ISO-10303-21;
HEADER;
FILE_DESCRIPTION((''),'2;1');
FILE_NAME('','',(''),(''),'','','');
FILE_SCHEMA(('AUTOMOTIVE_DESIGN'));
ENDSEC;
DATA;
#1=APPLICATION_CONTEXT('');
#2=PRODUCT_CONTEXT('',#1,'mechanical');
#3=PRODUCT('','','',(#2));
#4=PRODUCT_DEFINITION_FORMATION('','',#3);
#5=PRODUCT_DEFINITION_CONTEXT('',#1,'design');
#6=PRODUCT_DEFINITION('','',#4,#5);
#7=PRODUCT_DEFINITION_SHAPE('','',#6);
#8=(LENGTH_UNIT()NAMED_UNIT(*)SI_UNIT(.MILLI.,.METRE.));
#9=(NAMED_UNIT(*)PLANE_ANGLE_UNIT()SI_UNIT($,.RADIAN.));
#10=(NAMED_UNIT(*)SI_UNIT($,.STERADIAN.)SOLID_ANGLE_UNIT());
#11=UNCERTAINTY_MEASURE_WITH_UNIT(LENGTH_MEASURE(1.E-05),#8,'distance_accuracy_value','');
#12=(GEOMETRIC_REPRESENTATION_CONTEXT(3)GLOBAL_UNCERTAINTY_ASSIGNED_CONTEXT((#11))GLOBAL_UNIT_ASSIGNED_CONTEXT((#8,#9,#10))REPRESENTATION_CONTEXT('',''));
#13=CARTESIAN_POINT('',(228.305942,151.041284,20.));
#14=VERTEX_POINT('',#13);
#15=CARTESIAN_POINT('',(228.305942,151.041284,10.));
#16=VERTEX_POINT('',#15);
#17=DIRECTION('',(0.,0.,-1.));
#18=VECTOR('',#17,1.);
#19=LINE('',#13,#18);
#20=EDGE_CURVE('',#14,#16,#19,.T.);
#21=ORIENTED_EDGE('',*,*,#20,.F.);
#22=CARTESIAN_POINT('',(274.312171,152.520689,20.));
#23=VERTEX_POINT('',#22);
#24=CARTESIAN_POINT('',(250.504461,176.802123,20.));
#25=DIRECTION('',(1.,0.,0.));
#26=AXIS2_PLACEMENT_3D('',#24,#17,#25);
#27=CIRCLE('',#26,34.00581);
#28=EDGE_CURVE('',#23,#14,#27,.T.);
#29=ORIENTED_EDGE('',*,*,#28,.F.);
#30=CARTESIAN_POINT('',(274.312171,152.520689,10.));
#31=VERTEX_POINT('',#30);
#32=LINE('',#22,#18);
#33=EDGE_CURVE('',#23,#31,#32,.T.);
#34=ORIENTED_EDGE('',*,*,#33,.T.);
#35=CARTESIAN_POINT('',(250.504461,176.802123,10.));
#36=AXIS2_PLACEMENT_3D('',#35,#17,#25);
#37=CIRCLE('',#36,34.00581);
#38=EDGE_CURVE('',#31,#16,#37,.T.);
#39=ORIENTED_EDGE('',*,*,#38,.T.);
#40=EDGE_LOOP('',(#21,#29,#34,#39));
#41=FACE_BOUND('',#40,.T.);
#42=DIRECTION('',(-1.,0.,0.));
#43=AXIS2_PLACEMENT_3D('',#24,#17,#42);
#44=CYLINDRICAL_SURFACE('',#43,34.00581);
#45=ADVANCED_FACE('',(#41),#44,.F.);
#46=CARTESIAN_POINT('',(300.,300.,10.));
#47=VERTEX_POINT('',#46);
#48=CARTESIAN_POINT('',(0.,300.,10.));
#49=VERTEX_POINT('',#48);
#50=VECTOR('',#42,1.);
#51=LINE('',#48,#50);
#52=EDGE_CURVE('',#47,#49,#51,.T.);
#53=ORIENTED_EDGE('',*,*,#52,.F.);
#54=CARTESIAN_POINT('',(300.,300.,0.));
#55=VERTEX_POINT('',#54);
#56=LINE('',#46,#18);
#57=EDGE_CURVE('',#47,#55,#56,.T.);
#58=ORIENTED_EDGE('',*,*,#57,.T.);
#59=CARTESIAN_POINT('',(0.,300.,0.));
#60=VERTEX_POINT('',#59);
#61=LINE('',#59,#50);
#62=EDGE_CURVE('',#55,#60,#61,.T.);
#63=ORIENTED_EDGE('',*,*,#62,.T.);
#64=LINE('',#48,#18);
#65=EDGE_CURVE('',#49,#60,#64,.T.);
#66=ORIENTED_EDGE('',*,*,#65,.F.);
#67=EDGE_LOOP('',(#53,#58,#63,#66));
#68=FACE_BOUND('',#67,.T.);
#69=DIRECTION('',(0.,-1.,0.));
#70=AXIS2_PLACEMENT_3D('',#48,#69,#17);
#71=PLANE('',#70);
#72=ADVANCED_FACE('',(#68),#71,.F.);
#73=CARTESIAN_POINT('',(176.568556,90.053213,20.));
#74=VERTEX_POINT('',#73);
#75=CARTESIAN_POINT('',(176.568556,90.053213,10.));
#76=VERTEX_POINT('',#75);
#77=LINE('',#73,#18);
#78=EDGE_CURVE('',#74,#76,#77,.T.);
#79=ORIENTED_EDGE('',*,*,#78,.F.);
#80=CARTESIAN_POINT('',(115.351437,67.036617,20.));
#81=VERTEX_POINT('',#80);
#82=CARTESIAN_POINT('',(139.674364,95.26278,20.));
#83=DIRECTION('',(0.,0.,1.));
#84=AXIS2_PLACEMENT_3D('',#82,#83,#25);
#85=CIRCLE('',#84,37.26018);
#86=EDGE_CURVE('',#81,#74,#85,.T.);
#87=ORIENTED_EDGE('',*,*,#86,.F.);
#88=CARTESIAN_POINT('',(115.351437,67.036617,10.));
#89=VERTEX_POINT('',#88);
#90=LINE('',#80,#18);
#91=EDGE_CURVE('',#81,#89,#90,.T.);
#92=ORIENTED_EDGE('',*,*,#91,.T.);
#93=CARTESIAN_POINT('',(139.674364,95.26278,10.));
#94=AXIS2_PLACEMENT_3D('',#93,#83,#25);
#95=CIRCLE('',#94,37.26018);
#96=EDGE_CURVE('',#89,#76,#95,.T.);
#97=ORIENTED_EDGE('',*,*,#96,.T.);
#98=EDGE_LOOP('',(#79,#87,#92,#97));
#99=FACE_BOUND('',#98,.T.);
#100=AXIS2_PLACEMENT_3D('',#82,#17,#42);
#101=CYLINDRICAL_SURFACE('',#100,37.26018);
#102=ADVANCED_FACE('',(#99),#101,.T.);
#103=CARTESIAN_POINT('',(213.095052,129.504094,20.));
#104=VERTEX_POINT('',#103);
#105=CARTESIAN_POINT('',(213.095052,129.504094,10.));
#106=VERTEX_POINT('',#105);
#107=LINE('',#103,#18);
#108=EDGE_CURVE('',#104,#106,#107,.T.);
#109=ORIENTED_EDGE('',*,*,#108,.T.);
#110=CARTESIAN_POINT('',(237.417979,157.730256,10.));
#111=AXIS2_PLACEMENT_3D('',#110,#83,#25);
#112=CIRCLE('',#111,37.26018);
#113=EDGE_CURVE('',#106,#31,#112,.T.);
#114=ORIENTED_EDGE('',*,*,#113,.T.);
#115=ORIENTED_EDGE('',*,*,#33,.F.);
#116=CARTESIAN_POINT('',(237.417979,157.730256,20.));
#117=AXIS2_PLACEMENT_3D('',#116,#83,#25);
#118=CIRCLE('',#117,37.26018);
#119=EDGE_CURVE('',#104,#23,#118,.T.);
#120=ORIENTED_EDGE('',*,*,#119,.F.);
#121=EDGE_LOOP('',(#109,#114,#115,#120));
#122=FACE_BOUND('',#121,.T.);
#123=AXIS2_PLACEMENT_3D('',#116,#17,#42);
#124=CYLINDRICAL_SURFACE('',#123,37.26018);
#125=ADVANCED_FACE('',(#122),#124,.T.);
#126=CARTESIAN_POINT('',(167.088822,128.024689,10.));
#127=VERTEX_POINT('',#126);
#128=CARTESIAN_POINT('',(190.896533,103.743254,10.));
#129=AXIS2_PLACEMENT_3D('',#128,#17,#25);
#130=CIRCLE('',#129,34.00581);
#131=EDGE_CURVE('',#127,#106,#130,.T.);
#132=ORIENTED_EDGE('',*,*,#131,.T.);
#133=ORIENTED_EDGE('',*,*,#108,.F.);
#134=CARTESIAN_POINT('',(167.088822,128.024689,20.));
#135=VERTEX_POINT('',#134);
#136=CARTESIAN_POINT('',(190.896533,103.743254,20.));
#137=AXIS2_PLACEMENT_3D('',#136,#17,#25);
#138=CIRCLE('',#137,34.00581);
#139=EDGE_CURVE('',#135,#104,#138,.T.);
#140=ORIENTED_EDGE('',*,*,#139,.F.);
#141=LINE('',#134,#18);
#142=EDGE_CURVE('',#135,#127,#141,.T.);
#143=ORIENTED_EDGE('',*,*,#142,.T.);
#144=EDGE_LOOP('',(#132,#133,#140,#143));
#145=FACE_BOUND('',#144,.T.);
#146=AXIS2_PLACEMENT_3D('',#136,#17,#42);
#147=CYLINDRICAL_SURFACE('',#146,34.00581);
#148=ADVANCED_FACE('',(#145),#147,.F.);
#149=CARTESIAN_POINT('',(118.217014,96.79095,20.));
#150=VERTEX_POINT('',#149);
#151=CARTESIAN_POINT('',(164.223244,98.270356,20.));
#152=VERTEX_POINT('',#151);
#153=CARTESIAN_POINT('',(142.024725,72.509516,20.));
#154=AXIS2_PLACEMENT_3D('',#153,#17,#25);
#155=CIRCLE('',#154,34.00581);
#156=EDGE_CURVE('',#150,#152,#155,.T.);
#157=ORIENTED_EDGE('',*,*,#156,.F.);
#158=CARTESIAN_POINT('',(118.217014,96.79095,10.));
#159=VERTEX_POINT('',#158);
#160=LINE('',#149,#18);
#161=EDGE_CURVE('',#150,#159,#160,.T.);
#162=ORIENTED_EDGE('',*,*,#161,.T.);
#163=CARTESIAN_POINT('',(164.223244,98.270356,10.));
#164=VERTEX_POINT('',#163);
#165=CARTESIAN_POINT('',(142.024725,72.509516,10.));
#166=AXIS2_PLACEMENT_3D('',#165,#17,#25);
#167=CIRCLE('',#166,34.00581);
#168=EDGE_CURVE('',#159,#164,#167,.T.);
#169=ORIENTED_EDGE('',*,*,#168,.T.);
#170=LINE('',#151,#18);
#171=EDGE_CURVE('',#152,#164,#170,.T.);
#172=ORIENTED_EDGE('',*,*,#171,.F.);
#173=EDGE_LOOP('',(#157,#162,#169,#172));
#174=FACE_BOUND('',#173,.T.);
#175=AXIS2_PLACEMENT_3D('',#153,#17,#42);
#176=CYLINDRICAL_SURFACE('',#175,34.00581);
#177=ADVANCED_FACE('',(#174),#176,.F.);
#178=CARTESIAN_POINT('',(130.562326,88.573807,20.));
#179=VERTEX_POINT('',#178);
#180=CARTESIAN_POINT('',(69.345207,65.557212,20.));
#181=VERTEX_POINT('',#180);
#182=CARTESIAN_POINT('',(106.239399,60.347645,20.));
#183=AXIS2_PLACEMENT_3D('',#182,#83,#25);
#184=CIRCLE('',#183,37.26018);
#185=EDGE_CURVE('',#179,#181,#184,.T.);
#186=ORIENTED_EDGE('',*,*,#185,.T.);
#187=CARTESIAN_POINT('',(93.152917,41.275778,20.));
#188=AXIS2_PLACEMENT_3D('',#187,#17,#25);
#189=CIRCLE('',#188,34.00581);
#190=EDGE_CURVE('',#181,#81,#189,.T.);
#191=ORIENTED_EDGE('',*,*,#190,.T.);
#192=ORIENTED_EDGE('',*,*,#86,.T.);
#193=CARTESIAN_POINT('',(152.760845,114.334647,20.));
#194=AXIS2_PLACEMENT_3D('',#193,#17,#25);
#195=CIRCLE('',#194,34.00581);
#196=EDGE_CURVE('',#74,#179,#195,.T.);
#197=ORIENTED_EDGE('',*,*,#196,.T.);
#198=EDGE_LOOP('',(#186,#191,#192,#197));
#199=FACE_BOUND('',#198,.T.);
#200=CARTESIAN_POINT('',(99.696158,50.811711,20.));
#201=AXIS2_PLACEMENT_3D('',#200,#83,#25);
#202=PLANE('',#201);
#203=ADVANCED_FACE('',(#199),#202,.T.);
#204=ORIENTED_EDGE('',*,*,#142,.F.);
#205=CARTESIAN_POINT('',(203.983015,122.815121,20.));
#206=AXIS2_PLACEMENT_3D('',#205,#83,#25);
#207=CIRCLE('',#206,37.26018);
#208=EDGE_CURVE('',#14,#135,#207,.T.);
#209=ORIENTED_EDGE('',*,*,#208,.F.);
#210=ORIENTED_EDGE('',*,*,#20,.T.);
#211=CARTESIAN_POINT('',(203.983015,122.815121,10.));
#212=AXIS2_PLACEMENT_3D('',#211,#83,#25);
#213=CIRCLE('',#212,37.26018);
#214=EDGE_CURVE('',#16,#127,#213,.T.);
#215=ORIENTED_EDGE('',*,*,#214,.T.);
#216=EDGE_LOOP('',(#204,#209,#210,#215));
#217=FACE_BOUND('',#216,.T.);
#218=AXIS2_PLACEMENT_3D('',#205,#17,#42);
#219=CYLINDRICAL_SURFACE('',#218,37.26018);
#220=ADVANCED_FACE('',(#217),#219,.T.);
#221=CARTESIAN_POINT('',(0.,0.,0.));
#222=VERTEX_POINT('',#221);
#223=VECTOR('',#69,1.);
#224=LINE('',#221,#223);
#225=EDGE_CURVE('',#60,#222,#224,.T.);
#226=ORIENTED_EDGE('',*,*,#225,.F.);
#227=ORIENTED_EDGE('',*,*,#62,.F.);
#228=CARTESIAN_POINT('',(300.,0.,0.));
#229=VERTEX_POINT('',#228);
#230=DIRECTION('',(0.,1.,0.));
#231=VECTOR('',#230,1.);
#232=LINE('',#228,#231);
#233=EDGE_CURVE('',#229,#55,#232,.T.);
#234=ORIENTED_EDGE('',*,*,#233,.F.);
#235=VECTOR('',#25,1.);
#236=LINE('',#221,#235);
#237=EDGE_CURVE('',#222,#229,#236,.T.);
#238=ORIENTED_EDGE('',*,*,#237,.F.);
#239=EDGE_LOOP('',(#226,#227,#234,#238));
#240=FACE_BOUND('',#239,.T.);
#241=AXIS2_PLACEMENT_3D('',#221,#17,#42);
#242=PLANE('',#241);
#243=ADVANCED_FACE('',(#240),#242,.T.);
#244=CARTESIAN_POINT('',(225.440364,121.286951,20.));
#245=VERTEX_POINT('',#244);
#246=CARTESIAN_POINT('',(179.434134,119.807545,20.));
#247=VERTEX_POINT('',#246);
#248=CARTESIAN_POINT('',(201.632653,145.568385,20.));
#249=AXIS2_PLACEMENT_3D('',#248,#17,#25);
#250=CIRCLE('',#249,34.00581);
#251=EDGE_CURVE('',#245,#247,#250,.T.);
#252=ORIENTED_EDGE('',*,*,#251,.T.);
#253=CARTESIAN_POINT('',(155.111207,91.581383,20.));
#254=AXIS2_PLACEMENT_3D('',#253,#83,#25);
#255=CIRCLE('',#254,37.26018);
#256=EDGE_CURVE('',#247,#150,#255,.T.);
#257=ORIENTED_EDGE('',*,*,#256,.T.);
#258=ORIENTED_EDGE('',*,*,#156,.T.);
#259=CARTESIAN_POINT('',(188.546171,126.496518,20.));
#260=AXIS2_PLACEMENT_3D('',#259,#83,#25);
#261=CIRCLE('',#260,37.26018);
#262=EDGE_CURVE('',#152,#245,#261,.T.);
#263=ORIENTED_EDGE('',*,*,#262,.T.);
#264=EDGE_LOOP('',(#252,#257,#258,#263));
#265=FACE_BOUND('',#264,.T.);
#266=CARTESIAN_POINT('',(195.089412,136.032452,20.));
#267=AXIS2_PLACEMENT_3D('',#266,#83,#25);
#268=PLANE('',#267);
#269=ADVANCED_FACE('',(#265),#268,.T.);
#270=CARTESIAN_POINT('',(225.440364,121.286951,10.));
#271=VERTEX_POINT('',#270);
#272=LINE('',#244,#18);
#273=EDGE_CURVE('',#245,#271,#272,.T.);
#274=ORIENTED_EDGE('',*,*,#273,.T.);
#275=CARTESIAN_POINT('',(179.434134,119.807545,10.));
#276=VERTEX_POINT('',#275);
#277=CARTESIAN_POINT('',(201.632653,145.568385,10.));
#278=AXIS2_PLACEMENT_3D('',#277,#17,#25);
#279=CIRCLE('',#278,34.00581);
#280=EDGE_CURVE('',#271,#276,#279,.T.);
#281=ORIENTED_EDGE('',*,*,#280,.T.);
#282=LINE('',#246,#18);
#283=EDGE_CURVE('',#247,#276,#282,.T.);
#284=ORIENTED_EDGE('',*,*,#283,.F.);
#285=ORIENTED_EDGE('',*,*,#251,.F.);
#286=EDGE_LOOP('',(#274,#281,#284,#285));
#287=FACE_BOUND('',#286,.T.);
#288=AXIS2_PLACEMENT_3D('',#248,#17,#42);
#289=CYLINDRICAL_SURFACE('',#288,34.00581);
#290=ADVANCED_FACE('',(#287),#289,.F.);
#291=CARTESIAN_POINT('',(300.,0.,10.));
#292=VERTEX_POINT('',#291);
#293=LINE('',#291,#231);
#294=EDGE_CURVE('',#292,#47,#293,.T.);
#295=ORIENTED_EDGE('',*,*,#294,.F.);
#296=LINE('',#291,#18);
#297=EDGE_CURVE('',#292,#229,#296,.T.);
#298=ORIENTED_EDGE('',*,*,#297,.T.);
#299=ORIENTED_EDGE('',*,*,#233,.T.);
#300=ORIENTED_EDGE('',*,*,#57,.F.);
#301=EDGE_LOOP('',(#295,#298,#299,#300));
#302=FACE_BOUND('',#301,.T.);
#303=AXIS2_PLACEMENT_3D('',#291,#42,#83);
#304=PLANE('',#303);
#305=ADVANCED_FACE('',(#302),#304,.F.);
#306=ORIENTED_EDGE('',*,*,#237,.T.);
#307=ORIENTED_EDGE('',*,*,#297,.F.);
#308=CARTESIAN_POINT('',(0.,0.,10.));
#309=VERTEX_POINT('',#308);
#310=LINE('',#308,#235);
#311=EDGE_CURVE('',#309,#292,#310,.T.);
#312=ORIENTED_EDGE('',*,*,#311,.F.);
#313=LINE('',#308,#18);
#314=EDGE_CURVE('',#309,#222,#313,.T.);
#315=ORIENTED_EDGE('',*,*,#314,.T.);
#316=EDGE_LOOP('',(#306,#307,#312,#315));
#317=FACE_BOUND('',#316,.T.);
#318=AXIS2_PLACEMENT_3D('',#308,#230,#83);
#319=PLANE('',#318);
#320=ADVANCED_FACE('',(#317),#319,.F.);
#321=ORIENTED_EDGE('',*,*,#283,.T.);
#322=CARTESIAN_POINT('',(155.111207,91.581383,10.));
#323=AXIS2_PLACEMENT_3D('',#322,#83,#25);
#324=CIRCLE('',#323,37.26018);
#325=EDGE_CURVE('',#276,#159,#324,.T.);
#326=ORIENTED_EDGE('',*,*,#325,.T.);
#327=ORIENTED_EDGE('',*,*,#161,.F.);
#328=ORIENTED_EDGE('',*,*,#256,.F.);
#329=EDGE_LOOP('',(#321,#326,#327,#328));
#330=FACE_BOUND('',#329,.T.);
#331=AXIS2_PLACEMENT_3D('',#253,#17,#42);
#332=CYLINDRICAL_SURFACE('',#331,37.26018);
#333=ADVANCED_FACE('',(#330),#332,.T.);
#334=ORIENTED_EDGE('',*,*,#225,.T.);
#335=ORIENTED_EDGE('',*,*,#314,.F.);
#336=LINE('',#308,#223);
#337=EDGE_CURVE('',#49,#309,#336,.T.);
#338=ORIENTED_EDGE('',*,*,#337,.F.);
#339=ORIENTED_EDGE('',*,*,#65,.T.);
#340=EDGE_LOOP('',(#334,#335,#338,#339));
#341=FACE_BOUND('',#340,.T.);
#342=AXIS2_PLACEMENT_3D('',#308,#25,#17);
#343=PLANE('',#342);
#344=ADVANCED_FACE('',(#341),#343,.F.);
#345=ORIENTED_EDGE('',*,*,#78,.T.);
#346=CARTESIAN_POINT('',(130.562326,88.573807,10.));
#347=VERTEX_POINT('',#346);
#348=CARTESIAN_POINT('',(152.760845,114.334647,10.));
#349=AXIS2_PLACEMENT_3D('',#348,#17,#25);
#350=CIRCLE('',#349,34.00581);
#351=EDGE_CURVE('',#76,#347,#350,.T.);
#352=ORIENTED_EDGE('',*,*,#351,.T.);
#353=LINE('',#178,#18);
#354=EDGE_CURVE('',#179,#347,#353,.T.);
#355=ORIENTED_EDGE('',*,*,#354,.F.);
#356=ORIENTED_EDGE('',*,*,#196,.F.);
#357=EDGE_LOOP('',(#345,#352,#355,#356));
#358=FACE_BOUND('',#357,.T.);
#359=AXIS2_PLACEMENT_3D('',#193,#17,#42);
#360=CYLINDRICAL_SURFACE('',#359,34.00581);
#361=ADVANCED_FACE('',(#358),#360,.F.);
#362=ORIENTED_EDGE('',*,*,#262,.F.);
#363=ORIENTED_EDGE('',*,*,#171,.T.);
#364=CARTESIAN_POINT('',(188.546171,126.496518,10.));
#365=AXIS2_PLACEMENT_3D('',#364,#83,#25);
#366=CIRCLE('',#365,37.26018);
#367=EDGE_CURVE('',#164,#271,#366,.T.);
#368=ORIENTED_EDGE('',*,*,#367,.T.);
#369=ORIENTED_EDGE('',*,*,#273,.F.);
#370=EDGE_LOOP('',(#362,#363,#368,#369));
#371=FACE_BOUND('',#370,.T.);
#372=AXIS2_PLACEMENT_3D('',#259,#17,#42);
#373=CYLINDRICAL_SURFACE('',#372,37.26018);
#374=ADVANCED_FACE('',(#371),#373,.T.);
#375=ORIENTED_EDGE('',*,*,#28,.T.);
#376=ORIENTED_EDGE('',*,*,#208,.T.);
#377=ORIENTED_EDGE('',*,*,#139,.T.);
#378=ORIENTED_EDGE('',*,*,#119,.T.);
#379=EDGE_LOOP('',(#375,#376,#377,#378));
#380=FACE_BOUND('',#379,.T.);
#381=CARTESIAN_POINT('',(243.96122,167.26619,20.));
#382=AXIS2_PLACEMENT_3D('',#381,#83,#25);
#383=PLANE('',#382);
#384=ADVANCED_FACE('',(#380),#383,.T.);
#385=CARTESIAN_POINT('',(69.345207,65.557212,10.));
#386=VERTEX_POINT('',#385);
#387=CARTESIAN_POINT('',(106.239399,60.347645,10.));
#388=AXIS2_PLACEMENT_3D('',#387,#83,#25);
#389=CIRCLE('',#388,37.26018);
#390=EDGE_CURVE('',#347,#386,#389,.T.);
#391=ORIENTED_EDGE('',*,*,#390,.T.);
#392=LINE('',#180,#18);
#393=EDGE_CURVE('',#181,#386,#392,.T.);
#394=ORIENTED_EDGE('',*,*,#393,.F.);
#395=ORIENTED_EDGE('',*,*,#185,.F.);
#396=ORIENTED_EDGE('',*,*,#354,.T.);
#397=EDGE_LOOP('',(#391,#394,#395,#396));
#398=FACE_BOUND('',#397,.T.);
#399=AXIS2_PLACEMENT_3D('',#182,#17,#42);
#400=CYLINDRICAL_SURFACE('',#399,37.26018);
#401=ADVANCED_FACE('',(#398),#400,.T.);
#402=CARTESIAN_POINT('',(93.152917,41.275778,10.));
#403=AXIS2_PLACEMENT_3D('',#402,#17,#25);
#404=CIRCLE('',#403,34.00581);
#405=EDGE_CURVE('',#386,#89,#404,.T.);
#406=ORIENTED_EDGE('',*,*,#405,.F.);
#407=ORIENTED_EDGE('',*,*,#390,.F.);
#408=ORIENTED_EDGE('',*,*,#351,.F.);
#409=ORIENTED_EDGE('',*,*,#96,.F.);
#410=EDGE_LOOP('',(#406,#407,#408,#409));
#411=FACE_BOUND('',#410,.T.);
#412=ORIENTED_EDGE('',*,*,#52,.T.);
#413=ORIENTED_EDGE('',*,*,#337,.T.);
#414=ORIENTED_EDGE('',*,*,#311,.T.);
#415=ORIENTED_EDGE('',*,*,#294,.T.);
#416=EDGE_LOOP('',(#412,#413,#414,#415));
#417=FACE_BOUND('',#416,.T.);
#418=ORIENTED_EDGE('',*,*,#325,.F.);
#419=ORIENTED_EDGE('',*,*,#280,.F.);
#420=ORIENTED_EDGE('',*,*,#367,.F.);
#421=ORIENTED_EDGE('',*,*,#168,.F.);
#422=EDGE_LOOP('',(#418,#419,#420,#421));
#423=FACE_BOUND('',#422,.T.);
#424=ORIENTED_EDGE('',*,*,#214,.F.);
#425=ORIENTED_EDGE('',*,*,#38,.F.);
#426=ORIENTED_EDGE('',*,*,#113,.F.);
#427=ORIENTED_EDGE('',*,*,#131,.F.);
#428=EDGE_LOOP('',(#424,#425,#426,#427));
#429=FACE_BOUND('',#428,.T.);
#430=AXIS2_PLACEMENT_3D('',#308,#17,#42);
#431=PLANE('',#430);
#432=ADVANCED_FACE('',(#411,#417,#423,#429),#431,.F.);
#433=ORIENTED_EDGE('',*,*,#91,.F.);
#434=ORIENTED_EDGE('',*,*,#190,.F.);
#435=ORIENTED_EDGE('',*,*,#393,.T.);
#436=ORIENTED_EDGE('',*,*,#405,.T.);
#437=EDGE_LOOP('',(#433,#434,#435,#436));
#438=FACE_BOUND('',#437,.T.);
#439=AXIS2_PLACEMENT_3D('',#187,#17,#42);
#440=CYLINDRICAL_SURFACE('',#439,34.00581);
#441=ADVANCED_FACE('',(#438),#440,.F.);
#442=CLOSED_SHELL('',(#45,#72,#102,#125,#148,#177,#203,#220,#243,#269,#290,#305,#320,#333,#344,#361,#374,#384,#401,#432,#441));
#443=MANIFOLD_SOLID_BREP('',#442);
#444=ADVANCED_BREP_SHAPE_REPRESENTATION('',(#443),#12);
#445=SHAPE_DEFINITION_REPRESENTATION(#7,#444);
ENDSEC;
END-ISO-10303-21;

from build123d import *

# Parameters (mm, degrees)
SKICA1_W                = 300
SKICA1_H                = 300
P_IDAT_VYSUNUT_M1_DEPTH = 10
P_IDAT_VYSUNUT_M3_DEPTH = 10


with BuildPart() as part:
    # Skica1 → Přidat vysunutím1 (new body)
    with BuildSketch(Plane.XY):
        with Locations((150, 150)):
            Rectangle(SKICA1_W, SKICA1_H)
    extrude(amount=P_IDAT_VYSUNUT_M1_DEPTH)

    # Skica3 → Přidat vysunutím3 (add)
    with BuildSketch(Plane.XY.offset(10)):
        with BuildLine():
            ThreePointArc((115.351436594, 67.036617417), (152.787337691, 60.386270146), (176.568555926, 90.053212507))
            ThreePointArc((176.568555926, 90.053212507), (153.853792867, 80.346404756), (130.562326016, 88.573807107))
            ThreePointArc((130.562326016, 88.573807107), (93.126424919, 95.224154378), (69.345206683, 65.557212017))
            ThreePointArc((69.345206683, 65.557212017), (92.059969742, 75.264019769), (115.351436594, 67.036617417))
        make_face()
        with BuildLine():
            ThreePointArc((179.434133768, 119.807545389), (141.998232671, 126.45789266), (118.217014435, 96.790950299))
            ThreePointArc((118.217014435, 96.790950299), (140.931777494, 106.49775805), (164.223244346, 98.270355699))
            ThreePointArc((164.223244346, 98.270355699), (201.659145443, 91.620008428), (225.440363678, 121.286950789))
            ThreePointArc((225.440363678, 121.286950789), (202.725600619, 111.580143037), (179.434133768, 119.807545389))
        make_face()
        with BuildLine():
            ThreePointArc((228.30594152, 151.04128367), (190.870040423, 157.691630941), (167.088822187, 128.024688581))
            ThreePointArc((167.088822187, 128.024688581), (189.803585246, 137.731496332), (213.095052098, 129.504093981))
            ThreePointArc((213.095052098, 129.504093981), (250.530953195, 122.85374671), (274.31217143, 152.52068907))
            ThreePointArc((274.31217143, 152.52068907), (251.597408371, 142.813881319), (228.30594152, 151.04128367))
        make_face()
    extrude(amount=P_IDAT_VYSUNUT_M3_DEPTH)


solid = part.part
